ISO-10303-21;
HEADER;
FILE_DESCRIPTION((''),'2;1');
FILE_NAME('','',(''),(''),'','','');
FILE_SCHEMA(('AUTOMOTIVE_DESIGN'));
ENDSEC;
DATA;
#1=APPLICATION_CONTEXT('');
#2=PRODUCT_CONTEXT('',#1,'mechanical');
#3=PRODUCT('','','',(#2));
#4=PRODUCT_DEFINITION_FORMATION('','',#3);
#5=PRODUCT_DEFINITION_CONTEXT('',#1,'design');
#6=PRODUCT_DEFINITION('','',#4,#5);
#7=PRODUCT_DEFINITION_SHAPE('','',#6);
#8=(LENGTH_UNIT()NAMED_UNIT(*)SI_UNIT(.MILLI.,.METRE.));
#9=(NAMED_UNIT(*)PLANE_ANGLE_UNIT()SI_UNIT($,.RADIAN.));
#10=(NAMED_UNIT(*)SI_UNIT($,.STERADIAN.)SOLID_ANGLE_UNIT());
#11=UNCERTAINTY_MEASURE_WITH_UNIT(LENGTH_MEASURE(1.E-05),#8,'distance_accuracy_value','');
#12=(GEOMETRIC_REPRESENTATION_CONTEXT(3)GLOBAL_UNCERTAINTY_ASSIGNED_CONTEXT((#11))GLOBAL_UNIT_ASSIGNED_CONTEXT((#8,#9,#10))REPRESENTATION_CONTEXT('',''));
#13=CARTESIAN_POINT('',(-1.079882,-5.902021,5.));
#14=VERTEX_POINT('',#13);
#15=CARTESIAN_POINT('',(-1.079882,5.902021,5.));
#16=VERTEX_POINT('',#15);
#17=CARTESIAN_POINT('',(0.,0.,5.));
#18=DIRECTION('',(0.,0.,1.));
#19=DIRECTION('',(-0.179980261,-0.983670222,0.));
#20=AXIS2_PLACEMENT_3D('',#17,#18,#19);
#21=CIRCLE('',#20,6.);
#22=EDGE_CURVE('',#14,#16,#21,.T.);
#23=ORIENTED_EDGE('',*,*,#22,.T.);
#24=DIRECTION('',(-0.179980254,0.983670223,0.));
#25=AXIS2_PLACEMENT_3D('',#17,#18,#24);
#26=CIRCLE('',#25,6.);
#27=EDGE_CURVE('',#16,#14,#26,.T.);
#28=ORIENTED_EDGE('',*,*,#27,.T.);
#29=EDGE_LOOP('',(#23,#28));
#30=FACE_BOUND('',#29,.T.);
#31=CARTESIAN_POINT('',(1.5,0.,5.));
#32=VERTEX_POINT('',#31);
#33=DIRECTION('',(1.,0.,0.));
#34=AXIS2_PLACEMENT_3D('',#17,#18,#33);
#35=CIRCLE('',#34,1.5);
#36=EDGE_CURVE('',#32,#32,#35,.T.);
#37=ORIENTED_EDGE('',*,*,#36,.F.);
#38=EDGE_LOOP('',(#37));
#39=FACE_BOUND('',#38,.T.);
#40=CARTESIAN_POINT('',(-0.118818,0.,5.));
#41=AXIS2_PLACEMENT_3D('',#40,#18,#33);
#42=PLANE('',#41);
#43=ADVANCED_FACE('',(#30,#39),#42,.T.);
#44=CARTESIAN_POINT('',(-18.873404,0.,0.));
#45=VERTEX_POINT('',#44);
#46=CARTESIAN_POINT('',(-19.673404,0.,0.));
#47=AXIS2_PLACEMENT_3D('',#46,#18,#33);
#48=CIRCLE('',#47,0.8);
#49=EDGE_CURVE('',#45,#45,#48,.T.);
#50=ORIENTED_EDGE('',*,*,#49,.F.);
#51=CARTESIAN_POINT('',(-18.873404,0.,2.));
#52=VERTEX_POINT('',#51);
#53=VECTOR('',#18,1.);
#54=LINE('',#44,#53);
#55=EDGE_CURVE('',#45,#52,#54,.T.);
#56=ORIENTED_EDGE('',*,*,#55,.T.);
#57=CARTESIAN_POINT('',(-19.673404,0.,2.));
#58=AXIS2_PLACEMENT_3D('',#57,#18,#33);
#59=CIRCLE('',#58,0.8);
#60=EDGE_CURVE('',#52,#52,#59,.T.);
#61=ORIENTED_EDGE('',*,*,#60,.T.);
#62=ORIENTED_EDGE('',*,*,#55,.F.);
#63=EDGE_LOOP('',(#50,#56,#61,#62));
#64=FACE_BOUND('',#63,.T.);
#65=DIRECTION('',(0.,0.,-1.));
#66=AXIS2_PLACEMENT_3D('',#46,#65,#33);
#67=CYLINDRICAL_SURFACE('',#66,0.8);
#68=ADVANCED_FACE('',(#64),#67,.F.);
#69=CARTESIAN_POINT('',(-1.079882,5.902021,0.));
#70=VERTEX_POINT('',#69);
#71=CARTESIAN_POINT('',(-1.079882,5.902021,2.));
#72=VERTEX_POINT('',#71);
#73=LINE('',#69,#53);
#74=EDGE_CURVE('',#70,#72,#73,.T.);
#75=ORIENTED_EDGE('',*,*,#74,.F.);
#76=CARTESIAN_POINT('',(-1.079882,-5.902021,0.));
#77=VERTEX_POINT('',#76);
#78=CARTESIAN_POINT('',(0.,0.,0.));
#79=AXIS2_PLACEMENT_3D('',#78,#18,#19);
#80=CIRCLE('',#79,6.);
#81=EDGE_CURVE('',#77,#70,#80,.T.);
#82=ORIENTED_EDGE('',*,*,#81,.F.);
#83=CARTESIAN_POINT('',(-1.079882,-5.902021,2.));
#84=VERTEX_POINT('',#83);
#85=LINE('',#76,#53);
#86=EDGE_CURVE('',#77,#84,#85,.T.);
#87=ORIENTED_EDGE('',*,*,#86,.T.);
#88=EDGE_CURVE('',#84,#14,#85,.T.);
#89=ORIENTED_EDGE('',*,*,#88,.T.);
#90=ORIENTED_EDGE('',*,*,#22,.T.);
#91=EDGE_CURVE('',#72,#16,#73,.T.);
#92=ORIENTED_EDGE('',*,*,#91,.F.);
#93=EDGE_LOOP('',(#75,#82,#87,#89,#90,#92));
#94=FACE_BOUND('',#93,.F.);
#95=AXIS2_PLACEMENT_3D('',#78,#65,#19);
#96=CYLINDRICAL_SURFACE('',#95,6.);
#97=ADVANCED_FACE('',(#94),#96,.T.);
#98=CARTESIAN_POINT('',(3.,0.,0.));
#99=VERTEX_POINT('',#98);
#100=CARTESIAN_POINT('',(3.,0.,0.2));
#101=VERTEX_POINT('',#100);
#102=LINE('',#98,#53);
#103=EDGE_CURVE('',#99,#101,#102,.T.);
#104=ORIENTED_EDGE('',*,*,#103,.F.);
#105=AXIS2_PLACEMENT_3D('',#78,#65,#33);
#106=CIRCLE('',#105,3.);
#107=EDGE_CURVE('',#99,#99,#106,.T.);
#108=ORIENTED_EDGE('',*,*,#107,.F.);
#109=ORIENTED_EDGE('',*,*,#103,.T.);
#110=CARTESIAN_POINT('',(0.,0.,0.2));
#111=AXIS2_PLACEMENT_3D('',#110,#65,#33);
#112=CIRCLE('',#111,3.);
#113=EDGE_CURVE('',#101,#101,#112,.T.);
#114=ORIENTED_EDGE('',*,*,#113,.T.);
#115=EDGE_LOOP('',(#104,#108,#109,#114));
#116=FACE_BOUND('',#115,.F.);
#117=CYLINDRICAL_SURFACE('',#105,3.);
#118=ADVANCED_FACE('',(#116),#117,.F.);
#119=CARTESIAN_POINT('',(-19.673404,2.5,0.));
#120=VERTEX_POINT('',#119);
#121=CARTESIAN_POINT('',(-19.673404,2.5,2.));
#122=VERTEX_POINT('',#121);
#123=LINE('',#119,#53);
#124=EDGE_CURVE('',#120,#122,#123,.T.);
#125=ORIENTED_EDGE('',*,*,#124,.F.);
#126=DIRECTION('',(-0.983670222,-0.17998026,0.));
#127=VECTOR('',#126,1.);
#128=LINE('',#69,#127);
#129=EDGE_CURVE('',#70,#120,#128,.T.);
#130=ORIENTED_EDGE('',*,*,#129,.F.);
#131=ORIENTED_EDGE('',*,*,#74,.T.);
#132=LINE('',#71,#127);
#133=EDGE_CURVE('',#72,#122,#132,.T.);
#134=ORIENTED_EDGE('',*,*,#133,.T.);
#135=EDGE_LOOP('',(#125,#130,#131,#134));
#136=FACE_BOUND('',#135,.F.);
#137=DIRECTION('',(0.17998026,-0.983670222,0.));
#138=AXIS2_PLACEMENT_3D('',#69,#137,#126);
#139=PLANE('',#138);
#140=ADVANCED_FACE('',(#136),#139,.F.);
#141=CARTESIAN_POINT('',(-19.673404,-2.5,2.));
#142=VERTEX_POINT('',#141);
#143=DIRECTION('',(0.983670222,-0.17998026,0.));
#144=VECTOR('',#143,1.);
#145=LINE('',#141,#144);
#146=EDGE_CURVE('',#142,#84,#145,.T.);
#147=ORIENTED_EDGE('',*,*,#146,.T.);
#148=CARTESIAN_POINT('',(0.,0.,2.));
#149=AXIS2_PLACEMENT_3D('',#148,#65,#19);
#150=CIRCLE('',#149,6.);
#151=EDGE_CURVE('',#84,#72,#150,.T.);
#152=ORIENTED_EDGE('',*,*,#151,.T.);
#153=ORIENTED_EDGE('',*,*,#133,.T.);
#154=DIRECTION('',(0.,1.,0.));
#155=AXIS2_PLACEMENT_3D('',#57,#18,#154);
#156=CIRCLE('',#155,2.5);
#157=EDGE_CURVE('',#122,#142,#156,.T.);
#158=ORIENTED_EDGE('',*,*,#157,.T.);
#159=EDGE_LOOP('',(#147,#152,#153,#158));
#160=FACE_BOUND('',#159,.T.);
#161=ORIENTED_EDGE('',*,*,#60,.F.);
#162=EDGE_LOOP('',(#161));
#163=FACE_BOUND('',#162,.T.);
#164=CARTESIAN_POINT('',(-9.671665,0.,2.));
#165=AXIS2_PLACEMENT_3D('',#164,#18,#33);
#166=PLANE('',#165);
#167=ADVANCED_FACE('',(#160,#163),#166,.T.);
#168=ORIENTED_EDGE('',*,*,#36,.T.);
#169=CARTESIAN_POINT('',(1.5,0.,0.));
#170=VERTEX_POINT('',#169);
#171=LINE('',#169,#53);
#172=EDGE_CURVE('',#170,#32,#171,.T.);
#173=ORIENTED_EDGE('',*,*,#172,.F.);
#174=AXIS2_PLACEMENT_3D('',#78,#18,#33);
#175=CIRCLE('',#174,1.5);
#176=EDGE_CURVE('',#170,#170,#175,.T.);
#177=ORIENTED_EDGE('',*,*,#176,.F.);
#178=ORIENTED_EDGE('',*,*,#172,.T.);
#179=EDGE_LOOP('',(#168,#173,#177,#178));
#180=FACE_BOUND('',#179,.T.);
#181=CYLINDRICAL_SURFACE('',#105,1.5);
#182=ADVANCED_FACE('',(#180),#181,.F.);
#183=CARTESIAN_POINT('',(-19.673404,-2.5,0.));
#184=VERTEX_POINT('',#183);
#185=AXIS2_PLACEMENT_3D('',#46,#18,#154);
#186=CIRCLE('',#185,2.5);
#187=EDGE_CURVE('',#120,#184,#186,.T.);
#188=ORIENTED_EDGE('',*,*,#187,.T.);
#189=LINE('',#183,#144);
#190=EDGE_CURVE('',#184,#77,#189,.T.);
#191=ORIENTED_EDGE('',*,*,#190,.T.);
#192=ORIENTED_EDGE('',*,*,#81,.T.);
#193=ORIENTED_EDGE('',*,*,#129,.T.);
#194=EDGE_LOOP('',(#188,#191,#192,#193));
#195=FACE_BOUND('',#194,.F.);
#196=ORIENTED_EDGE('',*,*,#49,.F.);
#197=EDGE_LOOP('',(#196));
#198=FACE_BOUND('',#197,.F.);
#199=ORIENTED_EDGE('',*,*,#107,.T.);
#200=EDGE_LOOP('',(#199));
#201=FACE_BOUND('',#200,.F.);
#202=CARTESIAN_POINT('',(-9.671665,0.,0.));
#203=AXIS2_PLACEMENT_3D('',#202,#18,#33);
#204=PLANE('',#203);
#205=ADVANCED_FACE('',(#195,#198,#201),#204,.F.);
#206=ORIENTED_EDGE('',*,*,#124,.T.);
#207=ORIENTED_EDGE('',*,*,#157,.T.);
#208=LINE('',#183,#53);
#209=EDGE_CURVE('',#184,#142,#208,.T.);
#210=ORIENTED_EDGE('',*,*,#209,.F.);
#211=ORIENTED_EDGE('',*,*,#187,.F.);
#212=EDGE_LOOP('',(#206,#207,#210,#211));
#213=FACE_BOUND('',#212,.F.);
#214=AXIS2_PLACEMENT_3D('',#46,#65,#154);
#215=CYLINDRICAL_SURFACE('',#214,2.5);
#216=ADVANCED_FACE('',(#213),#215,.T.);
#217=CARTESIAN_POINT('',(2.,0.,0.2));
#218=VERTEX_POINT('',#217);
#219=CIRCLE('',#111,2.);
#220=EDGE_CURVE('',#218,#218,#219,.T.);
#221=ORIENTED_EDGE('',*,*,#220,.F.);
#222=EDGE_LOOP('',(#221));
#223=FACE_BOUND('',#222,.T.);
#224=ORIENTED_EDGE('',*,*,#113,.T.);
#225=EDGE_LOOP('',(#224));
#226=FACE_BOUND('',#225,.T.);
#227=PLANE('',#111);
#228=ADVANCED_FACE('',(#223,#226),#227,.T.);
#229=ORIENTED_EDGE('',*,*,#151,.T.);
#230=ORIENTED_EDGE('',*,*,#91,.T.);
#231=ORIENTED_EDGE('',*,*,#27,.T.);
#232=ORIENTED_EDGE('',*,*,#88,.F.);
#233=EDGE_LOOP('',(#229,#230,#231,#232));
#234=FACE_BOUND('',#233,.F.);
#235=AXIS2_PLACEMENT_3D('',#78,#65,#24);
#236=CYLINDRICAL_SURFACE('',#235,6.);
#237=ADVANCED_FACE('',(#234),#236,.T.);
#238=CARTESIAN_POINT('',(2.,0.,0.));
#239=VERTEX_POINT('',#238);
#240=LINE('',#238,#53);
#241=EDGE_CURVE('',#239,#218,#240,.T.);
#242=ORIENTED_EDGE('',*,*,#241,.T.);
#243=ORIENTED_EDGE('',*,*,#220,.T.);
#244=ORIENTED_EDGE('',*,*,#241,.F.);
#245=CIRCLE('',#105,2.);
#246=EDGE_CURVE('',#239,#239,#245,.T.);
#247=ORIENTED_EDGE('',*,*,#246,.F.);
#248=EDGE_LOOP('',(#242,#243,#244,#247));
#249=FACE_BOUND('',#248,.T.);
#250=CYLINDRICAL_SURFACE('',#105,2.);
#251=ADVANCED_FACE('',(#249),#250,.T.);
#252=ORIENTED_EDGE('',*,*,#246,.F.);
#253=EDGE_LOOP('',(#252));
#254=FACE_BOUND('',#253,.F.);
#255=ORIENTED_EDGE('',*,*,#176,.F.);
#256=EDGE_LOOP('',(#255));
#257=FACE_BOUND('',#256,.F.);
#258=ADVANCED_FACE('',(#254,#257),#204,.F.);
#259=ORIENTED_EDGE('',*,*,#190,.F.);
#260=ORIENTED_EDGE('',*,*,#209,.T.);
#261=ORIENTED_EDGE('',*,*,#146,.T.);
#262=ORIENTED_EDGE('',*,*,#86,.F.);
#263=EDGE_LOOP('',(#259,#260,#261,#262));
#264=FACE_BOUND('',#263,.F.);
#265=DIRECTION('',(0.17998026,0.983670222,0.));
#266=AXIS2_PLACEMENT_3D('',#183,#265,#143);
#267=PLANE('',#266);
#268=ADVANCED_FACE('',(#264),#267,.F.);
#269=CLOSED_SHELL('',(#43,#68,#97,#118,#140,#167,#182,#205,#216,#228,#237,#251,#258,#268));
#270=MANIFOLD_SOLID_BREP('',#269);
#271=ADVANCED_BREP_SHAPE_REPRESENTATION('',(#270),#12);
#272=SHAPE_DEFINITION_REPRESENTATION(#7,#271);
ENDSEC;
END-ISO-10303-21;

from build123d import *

# Parameters (mm, degrees)
F0_R     = 1.5
F1_DEPTH = 5
F0_R_2   = 0.8
F2_DEPTH = 2
F3_R     = 3
F3_R_2   = 2
F4_DEPTH = 0.2


with BuildPart() as f1:
    # F0 (on Top) → F1 (new body)
    with BuildSketch(Plane.XY):
        with BuildLine():
            ThreePointArc((-1.0798815668, -5.9020213319), (3.8419207826, -4.6086489018), (6, 0))
            ThreePointArc((6, 0), (3.8419207985, 4.6086488886), (-1.0798815261, 5.9020213393))
            ThreePointArc((-1.0798815261, 5.9020213393), (-6, 2.07e-08), (-1.0798815668, -5.9020213319))
        make_face()
        Circle(F0_R, mode=Mode.SUBTRACT)
    extrude(amount=F1_DEPTH)

    # F0 (on Top) → F2 (join)
    with BuildSketch(Plane.XY):
        with BuildLine():
            ThreePointArc((-1.0798815668, -5.9020213319), (-6, 2.07e-08), (-1.0798815261, 5.9020213393))
            Line((-1.0798815261, 5.9020213393), (-19.6734044441, 2.5))
            ThreePointArc((-19.6734044441, 2.5), (-17.9056374912, 1.767766953), (-17.1734044441, 0))
            ThreePointArc((-17.1734044441, 0), (-17.9056374912, -1.767766953), (-19.6734044441, -2.5))
            Line((-19.6734044441, -2.5), (-1.0798815668, -5.9020213319))
        make_face()
        with BuildLine():
            ThreePointArc((-17.1734044441, 0), (-17.9056374912, 1.767766953), (-19.6734044441, 2.5))
            ThreePointArc((-19.6734044441, 2.5), (-22.1734044441, 0), (-19.6734044441, -2.5))
            ThreePointArc((-19.6734044441, -2.5), (-17.9056374912, -1.767766953), (-17.1734044441, 0))
        make_face()
        with Locations((-19.6734044441, 0)):
            Circle(F0_R_2, mode=Mode.SUBTRACT)
    extrude(amount=F2_DEPTH)

    # F3 (on face) → F4 (cut)
    with BuildSketch(Plane(origin=(0, 0, 0), x_dir=(1, 0, 0), z_dir=(0, 0, -1))):
        Circle(F3_R)
        Circle(F3_R_2, mode=Mode.SUBTRACT)
    extrude(amount=-F4_DEPTH, mode=Mode.SUBTRACT)


solid = f1.part
